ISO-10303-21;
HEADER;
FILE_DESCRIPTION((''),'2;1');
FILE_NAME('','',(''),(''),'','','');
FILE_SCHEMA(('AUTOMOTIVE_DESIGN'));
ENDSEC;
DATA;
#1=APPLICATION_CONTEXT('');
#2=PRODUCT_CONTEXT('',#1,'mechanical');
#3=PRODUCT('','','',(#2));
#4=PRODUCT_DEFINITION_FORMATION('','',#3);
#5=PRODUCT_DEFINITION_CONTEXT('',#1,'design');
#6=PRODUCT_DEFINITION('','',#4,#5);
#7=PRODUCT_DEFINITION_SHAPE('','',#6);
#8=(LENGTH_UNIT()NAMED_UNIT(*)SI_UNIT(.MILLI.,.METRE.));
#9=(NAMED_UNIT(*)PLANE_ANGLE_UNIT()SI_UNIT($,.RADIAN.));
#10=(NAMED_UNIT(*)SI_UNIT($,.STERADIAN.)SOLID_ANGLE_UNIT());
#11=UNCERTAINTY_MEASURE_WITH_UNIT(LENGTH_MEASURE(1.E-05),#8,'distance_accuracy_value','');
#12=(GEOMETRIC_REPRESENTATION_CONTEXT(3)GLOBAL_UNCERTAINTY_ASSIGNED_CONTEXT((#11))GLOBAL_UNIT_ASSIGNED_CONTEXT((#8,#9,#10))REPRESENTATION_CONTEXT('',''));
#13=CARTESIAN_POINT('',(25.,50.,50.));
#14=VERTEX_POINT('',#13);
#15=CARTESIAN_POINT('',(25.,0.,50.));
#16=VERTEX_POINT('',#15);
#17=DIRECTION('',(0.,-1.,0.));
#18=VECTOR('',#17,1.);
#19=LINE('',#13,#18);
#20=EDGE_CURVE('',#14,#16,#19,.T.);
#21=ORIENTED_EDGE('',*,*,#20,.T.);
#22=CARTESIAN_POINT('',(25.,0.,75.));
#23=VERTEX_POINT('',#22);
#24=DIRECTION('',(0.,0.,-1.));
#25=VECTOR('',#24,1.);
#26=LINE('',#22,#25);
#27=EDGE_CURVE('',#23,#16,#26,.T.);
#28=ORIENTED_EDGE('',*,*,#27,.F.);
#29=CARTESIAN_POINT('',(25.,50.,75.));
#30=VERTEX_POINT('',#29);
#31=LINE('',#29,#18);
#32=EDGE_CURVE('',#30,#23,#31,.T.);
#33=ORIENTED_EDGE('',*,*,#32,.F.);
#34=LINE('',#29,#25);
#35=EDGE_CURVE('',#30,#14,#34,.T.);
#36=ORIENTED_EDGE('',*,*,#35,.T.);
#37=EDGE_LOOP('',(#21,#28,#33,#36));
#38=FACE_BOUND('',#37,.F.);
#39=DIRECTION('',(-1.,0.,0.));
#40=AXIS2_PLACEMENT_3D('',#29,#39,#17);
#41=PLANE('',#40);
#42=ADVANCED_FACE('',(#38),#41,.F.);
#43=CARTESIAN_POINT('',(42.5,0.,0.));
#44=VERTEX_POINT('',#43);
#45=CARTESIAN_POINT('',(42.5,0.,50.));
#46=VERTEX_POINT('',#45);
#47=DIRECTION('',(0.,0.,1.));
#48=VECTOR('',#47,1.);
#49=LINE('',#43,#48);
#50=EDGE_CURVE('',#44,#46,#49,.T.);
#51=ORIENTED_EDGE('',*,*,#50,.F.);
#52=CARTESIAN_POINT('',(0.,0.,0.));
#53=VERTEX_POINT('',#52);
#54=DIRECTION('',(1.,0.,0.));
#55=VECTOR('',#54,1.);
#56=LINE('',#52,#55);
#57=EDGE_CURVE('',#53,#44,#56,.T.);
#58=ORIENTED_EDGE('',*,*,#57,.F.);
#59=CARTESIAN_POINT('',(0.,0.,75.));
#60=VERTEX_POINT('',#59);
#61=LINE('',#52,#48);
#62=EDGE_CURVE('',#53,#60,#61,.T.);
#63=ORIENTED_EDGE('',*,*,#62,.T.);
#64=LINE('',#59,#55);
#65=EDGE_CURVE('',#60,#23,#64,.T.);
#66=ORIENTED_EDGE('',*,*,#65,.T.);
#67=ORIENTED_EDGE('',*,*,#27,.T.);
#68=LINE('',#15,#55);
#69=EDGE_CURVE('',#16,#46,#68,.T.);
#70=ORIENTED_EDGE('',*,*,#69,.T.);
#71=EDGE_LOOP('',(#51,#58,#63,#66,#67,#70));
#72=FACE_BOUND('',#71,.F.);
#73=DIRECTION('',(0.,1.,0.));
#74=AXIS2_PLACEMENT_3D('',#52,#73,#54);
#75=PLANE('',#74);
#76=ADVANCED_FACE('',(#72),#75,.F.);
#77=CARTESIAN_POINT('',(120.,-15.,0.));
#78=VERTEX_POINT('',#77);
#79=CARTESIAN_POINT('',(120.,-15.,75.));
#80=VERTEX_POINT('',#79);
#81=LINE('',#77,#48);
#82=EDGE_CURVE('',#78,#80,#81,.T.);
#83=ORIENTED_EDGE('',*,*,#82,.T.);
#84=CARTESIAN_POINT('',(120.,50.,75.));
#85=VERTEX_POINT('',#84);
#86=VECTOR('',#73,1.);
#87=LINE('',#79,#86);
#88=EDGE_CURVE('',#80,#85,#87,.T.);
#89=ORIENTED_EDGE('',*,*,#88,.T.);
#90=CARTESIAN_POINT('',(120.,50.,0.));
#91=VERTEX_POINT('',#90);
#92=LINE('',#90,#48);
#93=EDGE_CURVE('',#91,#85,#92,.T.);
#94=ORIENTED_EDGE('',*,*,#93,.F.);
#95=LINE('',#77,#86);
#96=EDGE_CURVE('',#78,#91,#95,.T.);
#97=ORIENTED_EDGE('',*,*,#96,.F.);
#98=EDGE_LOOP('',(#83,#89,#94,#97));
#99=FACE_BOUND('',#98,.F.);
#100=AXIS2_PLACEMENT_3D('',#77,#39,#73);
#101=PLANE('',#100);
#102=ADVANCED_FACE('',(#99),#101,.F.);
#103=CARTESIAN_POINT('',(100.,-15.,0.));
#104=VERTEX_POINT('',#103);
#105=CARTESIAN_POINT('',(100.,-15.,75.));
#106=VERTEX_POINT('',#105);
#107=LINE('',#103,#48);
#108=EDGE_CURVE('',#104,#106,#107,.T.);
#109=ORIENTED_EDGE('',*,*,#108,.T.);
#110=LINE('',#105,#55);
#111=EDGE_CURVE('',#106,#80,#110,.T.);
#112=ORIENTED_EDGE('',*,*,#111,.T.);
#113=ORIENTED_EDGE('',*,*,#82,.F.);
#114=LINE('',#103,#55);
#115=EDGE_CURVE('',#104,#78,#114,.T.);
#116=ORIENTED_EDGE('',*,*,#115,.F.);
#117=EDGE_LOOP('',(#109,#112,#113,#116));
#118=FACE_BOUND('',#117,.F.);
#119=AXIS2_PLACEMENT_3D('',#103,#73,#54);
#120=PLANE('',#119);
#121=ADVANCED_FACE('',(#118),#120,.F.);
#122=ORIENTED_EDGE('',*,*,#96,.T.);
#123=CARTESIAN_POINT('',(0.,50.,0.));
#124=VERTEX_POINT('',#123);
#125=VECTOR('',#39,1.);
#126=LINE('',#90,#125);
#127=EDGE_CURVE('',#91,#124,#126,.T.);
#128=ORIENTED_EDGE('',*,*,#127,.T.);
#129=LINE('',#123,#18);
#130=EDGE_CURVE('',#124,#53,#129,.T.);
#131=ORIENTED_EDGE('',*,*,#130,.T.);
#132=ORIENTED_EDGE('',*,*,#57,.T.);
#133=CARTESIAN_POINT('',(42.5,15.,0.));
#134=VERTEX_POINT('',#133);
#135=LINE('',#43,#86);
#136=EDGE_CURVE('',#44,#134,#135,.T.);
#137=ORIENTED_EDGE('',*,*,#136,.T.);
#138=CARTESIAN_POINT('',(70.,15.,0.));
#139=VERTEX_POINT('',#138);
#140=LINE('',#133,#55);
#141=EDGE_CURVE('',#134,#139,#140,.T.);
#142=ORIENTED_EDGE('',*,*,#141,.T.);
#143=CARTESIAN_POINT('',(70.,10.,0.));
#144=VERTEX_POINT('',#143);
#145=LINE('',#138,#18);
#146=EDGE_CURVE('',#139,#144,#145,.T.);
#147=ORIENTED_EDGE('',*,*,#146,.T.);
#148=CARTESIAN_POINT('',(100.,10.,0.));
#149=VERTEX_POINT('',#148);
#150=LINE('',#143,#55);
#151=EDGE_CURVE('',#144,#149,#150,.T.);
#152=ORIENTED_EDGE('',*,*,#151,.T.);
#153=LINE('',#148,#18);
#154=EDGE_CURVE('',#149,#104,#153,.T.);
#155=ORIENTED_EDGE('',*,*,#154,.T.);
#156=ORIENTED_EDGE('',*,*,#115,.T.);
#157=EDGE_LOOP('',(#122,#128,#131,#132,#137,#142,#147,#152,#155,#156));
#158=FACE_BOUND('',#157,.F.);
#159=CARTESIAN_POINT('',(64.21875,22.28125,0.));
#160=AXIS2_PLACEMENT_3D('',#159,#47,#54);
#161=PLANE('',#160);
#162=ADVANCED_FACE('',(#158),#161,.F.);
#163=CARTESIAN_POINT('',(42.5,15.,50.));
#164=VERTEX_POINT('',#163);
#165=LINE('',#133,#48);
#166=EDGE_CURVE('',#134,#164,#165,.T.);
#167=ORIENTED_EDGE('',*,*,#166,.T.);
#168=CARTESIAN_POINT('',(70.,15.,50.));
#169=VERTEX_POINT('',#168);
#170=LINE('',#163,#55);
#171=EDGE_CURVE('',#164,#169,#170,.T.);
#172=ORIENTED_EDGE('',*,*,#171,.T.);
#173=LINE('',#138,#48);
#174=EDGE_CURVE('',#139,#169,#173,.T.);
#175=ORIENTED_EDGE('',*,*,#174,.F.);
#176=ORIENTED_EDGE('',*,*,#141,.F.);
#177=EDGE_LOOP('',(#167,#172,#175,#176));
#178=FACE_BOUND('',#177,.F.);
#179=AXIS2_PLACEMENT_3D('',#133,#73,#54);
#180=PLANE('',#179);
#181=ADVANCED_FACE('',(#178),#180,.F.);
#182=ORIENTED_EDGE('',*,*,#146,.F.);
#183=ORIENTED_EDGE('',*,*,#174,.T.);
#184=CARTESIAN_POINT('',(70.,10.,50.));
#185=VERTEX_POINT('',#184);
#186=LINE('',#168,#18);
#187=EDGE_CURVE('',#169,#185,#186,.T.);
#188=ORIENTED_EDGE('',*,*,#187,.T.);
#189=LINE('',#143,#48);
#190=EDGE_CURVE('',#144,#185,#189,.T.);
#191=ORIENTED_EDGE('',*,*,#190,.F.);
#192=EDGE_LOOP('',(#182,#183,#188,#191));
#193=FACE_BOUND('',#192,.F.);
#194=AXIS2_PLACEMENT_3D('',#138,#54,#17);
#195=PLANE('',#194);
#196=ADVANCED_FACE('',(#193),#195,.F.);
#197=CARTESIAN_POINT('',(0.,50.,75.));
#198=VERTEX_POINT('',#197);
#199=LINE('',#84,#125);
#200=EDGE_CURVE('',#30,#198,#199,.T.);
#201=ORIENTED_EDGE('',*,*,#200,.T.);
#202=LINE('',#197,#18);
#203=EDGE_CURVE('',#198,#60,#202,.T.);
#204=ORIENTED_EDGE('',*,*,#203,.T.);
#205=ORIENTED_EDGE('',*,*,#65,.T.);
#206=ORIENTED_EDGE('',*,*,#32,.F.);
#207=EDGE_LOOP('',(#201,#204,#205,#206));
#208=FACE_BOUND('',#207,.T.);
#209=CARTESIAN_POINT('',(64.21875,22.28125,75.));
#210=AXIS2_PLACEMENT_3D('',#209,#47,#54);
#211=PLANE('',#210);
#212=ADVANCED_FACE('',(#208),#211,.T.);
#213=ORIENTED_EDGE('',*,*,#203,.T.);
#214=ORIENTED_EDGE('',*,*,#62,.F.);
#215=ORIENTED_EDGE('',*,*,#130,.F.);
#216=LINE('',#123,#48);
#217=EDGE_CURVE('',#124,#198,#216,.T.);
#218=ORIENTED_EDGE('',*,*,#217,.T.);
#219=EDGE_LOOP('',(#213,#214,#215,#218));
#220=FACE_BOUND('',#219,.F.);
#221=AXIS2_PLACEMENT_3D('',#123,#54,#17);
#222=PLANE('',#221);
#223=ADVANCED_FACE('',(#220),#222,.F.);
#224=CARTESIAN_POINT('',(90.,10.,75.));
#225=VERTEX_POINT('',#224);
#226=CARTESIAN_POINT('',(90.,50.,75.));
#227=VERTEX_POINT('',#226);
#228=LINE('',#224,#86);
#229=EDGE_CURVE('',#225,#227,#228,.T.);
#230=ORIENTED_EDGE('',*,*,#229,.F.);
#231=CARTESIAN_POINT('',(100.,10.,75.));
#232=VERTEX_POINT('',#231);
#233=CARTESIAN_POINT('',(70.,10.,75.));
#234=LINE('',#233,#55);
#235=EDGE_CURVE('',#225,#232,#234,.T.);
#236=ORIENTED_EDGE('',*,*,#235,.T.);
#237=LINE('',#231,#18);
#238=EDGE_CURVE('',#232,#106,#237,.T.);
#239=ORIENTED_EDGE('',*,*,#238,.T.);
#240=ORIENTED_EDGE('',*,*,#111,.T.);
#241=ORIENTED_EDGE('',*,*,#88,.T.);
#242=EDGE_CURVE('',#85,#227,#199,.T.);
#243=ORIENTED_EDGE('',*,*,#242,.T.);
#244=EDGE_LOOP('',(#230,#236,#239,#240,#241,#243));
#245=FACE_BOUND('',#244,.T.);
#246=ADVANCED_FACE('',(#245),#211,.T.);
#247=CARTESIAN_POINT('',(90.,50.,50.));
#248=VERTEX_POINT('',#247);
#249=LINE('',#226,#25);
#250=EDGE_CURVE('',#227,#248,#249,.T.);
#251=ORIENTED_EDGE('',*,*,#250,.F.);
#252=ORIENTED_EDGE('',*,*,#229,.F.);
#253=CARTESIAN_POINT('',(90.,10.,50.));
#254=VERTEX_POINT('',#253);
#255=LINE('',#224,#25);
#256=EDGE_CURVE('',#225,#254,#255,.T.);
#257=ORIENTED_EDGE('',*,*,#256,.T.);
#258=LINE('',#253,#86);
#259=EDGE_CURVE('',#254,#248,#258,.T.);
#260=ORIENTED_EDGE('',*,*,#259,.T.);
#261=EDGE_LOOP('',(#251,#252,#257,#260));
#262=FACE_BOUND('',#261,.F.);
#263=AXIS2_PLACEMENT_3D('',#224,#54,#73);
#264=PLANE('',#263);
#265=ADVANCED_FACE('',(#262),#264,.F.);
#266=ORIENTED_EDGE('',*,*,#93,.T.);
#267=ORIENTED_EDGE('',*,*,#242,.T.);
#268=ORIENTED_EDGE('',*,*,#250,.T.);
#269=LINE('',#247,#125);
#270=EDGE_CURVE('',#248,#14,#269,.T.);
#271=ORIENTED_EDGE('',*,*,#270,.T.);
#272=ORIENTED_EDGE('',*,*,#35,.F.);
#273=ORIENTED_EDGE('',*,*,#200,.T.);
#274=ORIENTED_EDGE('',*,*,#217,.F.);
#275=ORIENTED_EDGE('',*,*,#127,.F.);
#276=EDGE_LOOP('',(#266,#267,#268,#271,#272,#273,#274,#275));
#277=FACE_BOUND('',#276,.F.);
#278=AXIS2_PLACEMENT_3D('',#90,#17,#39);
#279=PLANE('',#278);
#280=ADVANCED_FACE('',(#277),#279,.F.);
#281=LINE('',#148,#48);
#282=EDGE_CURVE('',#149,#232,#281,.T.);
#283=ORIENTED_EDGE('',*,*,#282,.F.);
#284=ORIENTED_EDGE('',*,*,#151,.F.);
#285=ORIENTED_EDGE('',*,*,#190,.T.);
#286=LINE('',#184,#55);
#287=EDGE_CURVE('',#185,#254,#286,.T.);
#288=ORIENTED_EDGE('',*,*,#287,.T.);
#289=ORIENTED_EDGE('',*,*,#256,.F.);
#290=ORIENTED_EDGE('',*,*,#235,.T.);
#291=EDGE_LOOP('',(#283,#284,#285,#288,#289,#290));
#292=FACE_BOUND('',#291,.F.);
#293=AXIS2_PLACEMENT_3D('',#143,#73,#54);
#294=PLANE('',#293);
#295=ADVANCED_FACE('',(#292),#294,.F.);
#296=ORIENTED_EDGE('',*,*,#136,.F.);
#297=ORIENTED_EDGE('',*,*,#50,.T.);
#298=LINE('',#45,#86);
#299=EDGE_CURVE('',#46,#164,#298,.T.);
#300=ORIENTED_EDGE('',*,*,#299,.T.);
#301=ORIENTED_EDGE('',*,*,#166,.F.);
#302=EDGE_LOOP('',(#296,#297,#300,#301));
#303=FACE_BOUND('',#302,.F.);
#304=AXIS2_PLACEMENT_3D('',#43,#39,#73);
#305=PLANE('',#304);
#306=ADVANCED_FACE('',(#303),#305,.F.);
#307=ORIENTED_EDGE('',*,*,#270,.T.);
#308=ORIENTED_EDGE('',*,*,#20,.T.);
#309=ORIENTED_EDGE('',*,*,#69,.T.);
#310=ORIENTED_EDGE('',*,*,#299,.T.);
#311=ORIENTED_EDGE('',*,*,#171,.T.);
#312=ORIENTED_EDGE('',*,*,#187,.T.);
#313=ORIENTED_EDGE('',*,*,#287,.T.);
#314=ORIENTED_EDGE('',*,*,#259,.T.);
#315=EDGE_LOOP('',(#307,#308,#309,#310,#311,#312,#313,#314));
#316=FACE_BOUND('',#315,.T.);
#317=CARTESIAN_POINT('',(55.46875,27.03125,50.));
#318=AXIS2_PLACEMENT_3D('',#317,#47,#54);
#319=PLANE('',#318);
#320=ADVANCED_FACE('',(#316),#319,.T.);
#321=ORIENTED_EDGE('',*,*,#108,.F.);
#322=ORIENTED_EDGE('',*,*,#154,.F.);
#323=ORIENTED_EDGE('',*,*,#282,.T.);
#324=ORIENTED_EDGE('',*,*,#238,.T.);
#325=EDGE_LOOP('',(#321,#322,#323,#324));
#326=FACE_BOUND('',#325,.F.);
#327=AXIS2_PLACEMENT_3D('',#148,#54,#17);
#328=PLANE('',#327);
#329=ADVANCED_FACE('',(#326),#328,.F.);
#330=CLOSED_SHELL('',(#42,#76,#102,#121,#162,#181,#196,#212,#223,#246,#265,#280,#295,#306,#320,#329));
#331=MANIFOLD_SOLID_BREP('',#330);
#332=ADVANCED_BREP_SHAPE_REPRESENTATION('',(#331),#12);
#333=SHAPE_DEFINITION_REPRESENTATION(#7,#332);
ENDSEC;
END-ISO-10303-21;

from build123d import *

# Parameters (mm, degrees)
F1_DEPTH = 75
F3_DEPTH = 25


with BuildPart() as f1:
    # F0 (on Top) → F1 (new body)
    with BuildSketch(Plane.XY):
        Polygon((120, 50), (0, 50), (0, 0), (42.5, 0), (42.5, 15), (70, 15), (70, 10), (100, 10), (100, -15), (120, -15), align=None)
    extrude(amount=F1_DEPTH)

    # F2 (on face) → F3 (cut)
    with BuildSketch(Plane.XY.offset(75)):
        Polygon((90, 10), (90, 50), (25, 50), (25, 0), (42.5, 0), (42.5, 15), (70, 15), (70, 10), align=None)
    extrude(amount=-F3_DEPTH, mode=Mode.SUBTRACT)


solid = f1.part
